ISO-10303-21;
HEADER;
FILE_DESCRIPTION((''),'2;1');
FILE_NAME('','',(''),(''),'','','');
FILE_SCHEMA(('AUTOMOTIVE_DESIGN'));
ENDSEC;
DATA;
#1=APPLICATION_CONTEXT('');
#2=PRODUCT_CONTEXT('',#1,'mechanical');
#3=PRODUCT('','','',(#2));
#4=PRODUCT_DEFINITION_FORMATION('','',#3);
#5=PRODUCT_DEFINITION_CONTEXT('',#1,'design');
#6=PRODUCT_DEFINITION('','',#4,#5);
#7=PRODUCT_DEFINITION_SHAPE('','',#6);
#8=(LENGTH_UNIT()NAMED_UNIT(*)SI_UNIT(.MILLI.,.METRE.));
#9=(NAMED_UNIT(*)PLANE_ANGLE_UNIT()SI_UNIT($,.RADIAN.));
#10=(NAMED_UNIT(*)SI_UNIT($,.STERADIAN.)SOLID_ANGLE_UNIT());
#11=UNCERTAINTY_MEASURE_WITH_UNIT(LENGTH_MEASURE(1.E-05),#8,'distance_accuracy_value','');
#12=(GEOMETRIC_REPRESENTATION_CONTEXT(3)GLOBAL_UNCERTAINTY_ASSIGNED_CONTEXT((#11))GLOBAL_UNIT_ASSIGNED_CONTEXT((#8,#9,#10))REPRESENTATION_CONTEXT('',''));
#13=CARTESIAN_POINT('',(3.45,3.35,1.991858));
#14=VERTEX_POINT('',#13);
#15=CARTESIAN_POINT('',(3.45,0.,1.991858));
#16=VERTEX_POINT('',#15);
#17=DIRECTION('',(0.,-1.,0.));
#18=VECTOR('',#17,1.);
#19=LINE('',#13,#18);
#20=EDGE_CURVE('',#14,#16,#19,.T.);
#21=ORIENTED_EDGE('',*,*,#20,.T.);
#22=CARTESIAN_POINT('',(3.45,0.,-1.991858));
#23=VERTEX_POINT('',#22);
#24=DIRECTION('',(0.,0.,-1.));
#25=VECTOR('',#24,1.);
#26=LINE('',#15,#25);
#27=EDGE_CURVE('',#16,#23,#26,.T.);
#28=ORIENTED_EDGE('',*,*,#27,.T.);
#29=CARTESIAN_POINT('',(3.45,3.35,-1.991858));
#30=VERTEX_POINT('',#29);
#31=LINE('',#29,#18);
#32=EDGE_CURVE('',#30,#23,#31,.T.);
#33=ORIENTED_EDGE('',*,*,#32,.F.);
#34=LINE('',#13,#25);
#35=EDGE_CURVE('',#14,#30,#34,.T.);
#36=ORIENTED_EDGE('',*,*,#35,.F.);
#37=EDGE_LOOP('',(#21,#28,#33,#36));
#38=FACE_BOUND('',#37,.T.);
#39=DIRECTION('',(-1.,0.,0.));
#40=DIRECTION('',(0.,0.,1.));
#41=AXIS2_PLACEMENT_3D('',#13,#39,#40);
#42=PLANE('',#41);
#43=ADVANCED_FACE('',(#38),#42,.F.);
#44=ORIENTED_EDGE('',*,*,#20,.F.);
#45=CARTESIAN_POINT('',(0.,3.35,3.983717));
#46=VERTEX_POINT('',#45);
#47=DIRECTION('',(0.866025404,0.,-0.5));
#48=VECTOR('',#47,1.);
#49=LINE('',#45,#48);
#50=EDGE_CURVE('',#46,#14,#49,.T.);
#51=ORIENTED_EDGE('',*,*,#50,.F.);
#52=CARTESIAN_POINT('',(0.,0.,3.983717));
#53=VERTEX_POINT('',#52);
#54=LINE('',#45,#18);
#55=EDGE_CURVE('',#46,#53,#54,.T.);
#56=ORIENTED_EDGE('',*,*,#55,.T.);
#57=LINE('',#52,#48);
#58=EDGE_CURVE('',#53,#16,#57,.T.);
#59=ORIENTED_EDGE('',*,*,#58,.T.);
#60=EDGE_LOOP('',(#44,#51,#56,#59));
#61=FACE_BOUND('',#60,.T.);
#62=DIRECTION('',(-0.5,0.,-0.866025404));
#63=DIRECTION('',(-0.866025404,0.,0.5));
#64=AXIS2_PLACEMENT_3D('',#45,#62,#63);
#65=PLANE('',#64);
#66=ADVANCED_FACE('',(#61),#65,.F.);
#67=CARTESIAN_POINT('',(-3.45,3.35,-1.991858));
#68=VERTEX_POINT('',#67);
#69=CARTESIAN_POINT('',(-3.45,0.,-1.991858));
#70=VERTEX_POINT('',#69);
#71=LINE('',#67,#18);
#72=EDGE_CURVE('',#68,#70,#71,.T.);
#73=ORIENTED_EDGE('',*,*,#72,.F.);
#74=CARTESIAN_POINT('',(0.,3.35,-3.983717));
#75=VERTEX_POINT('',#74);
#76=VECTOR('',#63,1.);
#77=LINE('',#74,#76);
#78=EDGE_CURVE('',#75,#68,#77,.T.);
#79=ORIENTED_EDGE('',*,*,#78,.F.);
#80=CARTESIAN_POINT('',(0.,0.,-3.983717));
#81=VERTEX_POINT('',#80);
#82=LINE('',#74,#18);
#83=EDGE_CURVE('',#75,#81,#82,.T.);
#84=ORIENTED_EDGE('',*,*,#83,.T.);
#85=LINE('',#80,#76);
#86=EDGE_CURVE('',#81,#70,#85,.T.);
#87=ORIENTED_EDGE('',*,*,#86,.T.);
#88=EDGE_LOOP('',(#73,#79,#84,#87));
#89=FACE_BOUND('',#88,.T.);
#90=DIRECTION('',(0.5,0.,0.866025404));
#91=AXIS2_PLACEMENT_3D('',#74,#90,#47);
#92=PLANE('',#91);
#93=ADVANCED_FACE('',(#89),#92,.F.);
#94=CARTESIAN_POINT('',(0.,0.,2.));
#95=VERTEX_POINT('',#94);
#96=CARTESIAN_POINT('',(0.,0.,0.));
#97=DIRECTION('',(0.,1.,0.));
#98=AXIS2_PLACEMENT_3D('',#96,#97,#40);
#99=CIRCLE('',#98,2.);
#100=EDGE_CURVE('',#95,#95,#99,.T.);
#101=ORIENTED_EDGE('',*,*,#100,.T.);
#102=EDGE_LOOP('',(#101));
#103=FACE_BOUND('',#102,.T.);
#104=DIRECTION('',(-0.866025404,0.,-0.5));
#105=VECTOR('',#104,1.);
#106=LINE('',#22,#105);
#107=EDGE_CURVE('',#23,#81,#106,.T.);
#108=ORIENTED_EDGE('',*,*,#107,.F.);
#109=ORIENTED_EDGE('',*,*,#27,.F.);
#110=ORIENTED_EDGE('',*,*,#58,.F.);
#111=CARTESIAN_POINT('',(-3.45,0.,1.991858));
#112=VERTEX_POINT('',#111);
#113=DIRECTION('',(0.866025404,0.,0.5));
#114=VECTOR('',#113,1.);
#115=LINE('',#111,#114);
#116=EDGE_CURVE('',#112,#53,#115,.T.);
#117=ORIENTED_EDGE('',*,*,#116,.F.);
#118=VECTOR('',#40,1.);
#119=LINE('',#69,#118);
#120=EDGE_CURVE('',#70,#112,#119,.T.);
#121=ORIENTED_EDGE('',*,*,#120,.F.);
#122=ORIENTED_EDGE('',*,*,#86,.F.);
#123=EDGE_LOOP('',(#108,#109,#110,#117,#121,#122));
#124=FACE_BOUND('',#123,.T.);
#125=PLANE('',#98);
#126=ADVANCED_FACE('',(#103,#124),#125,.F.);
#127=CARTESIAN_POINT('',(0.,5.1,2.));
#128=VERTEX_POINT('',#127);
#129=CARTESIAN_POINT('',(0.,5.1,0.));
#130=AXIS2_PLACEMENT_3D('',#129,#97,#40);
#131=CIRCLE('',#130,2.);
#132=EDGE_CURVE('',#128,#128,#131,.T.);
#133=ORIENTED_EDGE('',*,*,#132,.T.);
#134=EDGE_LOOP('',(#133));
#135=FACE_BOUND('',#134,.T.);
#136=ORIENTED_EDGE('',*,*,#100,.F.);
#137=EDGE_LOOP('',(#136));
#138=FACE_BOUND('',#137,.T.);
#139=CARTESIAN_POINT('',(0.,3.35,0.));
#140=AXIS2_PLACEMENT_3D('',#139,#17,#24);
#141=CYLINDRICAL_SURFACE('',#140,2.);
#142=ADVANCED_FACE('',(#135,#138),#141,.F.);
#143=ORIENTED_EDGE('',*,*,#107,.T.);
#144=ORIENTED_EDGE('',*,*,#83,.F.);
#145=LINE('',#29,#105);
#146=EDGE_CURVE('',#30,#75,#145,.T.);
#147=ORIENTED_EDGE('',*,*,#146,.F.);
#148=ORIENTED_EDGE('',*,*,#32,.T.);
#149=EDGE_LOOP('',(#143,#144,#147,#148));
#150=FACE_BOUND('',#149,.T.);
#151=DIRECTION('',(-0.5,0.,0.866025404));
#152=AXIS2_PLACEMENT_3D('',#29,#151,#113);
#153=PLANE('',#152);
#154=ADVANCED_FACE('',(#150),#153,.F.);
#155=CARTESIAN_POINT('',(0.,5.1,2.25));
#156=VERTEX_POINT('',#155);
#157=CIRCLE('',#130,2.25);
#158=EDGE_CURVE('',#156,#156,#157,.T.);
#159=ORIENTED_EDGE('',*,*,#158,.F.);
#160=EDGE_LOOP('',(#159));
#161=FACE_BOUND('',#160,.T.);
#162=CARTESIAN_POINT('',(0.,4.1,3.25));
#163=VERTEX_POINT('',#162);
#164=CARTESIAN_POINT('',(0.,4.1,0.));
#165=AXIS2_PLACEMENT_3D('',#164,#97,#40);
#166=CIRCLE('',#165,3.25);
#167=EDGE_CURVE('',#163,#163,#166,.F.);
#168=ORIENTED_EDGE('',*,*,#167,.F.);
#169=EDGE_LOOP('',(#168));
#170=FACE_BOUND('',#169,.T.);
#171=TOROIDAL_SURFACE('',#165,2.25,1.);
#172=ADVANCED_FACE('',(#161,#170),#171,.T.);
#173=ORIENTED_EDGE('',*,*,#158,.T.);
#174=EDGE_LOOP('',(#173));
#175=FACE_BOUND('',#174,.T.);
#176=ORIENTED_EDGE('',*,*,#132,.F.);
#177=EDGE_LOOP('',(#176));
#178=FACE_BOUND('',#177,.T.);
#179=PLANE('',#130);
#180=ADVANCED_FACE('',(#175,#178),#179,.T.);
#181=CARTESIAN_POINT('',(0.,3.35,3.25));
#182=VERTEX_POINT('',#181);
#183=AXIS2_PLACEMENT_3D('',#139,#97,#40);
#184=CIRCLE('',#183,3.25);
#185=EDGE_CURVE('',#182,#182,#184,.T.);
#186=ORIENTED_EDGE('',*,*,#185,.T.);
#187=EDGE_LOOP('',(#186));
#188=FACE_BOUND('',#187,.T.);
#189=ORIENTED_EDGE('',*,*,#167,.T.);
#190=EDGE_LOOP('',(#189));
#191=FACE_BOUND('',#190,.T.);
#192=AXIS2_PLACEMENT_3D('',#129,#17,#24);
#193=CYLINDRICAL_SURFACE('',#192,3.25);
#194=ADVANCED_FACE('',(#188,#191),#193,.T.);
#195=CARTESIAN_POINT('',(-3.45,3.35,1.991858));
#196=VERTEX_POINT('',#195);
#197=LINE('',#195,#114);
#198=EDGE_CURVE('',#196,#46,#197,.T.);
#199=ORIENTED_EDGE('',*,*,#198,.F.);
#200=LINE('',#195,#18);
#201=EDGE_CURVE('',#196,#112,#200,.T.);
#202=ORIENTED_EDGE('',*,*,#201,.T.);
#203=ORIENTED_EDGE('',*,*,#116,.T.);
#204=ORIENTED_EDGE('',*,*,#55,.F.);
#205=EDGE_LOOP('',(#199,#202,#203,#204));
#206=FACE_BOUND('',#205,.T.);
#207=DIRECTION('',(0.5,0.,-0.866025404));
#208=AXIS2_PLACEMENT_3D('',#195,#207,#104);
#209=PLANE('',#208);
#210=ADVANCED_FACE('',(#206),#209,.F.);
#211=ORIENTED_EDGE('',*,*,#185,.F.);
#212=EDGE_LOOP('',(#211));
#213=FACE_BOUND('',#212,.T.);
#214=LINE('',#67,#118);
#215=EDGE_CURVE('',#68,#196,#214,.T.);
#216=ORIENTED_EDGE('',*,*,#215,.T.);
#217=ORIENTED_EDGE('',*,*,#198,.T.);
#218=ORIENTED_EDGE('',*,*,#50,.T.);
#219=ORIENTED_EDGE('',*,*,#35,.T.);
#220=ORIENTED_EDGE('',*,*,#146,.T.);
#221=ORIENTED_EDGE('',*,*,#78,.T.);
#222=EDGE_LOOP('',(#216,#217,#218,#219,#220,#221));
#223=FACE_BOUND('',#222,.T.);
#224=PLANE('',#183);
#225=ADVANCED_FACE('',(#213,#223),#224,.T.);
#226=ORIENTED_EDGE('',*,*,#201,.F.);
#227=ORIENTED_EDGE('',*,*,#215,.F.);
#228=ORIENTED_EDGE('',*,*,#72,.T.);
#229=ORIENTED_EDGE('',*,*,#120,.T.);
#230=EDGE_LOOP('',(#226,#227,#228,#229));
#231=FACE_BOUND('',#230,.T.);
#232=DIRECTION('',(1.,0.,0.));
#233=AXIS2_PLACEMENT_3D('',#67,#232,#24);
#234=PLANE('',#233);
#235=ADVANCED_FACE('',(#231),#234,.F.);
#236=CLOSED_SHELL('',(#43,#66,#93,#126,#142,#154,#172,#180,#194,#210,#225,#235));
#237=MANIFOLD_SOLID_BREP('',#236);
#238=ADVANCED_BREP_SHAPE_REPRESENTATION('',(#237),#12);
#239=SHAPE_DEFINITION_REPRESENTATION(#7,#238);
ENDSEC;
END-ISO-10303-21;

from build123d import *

# Parameters (mm, degrees)
SKETCH1_R           = 2
BOSS_EXTRUDE1_DEPTH = 3.35
SKETCH2_R           = 3.25
SKETCH2_R_2         = 2
BOSS_EXTRUDE2_DEPTH = 1.75
FILLET1_R           = 1


with BuildPart() as part:
    # Sketch1 → Boss-Extrude1 (new body)
    with BuildSketch(Plane(origin=(0, 0, 0), x_dir=(1, 0, 0), z_dir=(0, 1, 0))):
        Polygon((0, 3.983716857), (-3.45, 1.991858429), (-3.45, -1.991858429), (0, -3.983716857), (3.45, -1.991858429), (3.45, 1.991858429), align=None)
        Circle(SKETCH1_R, mode=Mode.SUBTRACT)
    extrude(amount=BOSS_EXTRUDE1_DEPTH)

    # Sketch2 → Boss-Extrude2 (add)
    with BuildSketch(Plane(origin=(0, 3.35, 0), x_dir=(1, 0, 0), z_dir=(0, 1, 0))):
        Circle(SKETCH2_R)
        Circle(SKETCH2_R_2, mode=Mode.SUBTRACT)
    extrude(amount=BOSS_EXTRUDE2_DEPTH)

    # Fillet1
    fillet1_edges = [part.edges().sort_by_distance(p)[0] for p in [
        (-3.25, 5.1, 0),
    ]]
    fillet(fillet1_edges, radius=FILLET1_R)


solid = part.part
